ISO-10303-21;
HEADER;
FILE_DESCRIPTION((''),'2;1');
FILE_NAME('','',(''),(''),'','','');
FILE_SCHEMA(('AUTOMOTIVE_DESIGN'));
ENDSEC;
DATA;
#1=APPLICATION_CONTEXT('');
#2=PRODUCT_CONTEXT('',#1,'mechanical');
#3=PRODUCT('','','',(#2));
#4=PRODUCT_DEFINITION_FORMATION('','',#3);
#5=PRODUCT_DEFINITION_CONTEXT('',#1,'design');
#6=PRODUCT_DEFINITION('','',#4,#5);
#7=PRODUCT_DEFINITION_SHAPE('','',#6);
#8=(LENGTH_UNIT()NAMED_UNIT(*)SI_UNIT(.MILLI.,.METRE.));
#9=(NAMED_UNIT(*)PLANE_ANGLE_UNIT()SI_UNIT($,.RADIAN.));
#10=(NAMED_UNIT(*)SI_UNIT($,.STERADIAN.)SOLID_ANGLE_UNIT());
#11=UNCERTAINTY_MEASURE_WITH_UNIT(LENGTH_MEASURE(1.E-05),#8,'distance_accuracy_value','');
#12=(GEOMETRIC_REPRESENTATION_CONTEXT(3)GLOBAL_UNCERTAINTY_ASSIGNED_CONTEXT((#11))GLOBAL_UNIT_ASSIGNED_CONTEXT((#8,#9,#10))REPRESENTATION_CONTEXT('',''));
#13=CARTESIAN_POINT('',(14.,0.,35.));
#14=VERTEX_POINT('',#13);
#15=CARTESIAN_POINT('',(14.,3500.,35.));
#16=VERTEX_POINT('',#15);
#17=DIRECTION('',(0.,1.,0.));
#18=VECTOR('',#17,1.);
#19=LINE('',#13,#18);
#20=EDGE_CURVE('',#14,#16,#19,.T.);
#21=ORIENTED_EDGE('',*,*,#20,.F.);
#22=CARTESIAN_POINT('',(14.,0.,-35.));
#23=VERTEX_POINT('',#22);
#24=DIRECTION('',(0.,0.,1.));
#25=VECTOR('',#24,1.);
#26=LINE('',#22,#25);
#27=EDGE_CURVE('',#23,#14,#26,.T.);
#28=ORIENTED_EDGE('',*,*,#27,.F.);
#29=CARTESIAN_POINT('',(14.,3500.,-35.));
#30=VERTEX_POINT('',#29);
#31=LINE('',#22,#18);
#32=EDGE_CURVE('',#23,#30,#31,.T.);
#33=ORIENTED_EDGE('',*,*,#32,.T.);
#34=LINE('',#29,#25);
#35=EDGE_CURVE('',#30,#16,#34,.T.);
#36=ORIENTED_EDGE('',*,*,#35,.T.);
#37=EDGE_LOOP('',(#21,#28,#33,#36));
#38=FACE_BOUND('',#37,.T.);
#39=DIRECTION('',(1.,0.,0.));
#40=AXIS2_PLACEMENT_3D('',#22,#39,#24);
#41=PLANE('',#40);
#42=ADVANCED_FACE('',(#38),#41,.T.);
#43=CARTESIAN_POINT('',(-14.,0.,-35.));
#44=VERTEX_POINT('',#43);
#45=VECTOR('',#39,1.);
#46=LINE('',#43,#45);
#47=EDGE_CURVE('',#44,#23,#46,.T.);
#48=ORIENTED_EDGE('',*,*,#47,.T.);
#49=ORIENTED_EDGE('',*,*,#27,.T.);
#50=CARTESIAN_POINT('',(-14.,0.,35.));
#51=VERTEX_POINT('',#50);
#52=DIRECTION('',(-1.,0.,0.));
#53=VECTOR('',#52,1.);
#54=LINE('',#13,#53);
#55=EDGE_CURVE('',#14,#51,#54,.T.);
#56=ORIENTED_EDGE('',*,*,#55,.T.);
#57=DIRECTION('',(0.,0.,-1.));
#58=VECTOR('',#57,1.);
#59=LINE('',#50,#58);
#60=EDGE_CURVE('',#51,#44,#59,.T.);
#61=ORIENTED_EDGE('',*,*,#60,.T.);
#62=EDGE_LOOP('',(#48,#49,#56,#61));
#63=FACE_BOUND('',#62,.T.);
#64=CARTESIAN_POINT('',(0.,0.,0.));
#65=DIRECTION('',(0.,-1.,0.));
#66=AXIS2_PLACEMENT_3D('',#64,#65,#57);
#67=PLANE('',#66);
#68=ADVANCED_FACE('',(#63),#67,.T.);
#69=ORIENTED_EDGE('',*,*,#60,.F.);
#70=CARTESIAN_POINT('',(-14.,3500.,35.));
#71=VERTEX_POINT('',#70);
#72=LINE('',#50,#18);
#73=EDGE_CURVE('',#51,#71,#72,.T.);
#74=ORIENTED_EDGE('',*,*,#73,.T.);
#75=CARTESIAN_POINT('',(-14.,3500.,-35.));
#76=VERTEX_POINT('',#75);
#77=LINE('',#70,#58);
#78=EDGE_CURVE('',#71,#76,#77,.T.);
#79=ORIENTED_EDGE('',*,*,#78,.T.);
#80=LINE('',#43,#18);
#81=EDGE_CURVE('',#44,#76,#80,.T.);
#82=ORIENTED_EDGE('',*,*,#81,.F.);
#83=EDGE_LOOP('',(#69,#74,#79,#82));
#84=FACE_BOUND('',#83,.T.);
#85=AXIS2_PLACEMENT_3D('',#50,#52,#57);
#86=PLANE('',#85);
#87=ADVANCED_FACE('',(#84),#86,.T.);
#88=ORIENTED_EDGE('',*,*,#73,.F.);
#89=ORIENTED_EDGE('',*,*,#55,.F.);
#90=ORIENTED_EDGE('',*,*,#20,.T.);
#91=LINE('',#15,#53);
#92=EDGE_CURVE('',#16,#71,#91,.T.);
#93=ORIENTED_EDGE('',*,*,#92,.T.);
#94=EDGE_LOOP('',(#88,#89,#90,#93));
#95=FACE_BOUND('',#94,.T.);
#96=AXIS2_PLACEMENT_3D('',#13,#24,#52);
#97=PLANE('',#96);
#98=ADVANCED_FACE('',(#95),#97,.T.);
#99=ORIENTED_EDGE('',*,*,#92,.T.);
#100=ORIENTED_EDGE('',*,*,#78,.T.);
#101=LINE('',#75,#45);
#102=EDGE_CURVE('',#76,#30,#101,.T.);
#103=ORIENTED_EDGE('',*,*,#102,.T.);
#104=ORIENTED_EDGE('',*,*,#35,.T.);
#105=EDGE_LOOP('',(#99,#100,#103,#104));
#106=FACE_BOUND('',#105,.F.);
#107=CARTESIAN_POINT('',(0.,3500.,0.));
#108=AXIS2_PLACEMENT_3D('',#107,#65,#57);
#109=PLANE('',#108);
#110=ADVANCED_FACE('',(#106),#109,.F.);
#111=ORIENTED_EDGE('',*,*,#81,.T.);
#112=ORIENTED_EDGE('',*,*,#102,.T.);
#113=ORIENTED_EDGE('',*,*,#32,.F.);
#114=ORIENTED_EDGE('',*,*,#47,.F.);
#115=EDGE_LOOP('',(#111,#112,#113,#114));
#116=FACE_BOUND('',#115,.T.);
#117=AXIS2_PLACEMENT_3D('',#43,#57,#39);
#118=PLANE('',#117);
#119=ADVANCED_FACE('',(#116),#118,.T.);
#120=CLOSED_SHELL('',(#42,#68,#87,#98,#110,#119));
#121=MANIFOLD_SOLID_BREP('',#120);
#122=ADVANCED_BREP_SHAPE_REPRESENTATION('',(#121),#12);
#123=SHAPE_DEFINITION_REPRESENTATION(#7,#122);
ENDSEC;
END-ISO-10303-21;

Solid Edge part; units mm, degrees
sketch "Sketch1" plane through (0, 0, 0) normal (0, -1, 0) x (1, 0, 0)
  line L0 (-14, -35) -> (14, -35)
  line L1 (14, -35) -> (14, 35)
  line L2 (14, 35) -> (-14, 35)
  line L3 (-14, 35) -> (-14, -35)
extrude "Protrusion1" add sketch "Sketch1" against normal blind 3500
